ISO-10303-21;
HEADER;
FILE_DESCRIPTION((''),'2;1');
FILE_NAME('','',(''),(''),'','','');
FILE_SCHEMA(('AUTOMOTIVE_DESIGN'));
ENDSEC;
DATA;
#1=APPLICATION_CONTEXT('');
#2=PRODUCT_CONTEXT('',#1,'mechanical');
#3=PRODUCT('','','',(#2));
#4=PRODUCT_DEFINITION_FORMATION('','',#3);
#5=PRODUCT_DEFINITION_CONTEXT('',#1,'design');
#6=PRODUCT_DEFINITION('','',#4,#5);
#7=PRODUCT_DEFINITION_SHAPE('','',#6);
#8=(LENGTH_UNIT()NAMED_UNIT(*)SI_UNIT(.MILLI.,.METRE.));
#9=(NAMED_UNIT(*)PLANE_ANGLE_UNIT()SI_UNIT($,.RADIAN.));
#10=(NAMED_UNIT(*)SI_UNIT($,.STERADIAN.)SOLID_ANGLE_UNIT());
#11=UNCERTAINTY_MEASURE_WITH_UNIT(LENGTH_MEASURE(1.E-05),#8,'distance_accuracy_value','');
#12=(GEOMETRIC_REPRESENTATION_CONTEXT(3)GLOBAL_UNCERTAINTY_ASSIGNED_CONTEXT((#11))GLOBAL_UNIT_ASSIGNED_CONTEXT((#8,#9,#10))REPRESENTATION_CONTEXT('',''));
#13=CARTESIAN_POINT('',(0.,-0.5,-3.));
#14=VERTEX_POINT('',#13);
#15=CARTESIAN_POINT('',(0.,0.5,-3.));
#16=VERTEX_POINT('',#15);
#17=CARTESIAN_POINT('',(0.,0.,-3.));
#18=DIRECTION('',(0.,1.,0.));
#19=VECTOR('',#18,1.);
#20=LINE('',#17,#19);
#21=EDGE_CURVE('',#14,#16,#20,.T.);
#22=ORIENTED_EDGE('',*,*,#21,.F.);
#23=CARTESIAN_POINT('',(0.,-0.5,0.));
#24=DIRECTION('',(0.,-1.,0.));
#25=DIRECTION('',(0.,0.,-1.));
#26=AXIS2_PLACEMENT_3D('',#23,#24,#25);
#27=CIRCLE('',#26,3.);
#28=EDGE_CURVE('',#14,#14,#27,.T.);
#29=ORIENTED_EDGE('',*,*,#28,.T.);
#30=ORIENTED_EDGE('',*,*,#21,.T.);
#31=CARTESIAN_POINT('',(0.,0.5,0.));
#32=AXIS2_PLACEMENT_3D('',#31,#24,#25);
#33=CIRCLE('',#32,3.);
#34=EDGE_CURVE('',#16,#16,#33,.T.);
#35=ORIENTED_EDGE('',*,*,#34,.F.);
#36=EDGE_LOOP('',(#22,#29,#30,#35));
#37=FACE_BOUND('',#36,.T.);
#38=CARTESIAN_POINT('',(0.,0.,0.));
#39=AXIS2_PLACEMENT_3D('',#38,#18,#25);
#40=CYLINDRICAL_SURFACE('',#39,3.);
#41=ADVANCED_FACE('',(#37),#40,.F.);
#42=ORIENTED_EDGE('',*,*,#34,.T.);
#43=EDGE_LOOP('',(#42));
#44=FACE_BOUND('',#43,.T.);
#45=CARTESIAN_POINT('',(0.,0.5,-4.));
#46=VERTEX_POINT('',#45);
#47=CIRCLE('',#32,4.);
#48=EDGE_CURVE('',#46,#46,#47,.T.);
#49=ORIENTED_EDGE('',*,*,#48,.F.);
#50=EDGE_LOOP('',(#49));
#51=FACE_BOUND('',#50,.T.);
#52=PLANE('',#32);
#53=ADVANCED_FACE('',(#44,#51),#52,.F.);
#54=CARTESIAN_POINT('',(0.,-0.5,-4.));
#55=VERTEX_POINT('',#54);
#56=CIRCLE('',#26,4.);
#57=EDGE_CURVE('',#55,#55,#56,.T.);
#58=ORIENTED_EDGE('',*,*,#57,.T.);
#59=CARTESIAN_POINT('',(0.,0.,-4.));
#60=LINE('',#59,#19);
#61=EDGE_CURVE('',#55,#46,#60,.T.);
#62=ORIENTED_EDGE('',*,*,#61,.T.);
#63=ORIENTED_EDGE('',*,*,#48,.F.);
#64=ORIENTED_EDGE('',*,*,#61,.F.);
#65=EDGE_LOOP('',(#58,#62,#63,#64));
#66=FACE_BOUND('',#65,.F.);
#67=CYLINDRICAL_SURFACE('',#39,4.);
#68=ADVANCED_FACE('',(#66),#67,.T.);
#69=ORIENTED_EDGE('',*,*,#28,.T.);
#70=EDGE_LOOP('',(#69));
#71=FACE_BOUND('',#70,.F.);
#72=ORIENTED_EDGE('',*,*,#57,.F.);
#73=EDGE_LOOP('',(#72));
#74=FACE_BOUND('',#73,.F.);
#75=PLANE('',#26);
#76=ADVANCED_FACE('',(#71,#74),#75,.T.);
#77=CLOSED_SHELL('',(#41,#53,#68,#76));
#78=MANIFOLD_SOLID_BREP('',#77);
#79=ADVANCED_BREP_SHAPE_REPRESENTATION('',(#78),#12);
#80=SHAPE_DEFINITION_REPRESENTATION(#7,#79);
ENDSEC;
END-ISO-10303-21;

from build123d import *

# Parameters (mm, degrees)
SKETCH1_W = 1
SKETCH1_H = 1


with BuildPart() as part:
    # Sketch1 → Revolve1 (revolve)
    with BuildSketch(Plane(origin=(0, 0, 0), x_dir=(0, 0, -1), z_dir=(1, 0, 0))):
        with Locations((3.5, 0)):
            Rectangle(SKETCH1_W, SKETCH1_H)
    revolve(axis=Axis((0, 10.072992701, 0), (0, -1, 0)))


solid = part.part
